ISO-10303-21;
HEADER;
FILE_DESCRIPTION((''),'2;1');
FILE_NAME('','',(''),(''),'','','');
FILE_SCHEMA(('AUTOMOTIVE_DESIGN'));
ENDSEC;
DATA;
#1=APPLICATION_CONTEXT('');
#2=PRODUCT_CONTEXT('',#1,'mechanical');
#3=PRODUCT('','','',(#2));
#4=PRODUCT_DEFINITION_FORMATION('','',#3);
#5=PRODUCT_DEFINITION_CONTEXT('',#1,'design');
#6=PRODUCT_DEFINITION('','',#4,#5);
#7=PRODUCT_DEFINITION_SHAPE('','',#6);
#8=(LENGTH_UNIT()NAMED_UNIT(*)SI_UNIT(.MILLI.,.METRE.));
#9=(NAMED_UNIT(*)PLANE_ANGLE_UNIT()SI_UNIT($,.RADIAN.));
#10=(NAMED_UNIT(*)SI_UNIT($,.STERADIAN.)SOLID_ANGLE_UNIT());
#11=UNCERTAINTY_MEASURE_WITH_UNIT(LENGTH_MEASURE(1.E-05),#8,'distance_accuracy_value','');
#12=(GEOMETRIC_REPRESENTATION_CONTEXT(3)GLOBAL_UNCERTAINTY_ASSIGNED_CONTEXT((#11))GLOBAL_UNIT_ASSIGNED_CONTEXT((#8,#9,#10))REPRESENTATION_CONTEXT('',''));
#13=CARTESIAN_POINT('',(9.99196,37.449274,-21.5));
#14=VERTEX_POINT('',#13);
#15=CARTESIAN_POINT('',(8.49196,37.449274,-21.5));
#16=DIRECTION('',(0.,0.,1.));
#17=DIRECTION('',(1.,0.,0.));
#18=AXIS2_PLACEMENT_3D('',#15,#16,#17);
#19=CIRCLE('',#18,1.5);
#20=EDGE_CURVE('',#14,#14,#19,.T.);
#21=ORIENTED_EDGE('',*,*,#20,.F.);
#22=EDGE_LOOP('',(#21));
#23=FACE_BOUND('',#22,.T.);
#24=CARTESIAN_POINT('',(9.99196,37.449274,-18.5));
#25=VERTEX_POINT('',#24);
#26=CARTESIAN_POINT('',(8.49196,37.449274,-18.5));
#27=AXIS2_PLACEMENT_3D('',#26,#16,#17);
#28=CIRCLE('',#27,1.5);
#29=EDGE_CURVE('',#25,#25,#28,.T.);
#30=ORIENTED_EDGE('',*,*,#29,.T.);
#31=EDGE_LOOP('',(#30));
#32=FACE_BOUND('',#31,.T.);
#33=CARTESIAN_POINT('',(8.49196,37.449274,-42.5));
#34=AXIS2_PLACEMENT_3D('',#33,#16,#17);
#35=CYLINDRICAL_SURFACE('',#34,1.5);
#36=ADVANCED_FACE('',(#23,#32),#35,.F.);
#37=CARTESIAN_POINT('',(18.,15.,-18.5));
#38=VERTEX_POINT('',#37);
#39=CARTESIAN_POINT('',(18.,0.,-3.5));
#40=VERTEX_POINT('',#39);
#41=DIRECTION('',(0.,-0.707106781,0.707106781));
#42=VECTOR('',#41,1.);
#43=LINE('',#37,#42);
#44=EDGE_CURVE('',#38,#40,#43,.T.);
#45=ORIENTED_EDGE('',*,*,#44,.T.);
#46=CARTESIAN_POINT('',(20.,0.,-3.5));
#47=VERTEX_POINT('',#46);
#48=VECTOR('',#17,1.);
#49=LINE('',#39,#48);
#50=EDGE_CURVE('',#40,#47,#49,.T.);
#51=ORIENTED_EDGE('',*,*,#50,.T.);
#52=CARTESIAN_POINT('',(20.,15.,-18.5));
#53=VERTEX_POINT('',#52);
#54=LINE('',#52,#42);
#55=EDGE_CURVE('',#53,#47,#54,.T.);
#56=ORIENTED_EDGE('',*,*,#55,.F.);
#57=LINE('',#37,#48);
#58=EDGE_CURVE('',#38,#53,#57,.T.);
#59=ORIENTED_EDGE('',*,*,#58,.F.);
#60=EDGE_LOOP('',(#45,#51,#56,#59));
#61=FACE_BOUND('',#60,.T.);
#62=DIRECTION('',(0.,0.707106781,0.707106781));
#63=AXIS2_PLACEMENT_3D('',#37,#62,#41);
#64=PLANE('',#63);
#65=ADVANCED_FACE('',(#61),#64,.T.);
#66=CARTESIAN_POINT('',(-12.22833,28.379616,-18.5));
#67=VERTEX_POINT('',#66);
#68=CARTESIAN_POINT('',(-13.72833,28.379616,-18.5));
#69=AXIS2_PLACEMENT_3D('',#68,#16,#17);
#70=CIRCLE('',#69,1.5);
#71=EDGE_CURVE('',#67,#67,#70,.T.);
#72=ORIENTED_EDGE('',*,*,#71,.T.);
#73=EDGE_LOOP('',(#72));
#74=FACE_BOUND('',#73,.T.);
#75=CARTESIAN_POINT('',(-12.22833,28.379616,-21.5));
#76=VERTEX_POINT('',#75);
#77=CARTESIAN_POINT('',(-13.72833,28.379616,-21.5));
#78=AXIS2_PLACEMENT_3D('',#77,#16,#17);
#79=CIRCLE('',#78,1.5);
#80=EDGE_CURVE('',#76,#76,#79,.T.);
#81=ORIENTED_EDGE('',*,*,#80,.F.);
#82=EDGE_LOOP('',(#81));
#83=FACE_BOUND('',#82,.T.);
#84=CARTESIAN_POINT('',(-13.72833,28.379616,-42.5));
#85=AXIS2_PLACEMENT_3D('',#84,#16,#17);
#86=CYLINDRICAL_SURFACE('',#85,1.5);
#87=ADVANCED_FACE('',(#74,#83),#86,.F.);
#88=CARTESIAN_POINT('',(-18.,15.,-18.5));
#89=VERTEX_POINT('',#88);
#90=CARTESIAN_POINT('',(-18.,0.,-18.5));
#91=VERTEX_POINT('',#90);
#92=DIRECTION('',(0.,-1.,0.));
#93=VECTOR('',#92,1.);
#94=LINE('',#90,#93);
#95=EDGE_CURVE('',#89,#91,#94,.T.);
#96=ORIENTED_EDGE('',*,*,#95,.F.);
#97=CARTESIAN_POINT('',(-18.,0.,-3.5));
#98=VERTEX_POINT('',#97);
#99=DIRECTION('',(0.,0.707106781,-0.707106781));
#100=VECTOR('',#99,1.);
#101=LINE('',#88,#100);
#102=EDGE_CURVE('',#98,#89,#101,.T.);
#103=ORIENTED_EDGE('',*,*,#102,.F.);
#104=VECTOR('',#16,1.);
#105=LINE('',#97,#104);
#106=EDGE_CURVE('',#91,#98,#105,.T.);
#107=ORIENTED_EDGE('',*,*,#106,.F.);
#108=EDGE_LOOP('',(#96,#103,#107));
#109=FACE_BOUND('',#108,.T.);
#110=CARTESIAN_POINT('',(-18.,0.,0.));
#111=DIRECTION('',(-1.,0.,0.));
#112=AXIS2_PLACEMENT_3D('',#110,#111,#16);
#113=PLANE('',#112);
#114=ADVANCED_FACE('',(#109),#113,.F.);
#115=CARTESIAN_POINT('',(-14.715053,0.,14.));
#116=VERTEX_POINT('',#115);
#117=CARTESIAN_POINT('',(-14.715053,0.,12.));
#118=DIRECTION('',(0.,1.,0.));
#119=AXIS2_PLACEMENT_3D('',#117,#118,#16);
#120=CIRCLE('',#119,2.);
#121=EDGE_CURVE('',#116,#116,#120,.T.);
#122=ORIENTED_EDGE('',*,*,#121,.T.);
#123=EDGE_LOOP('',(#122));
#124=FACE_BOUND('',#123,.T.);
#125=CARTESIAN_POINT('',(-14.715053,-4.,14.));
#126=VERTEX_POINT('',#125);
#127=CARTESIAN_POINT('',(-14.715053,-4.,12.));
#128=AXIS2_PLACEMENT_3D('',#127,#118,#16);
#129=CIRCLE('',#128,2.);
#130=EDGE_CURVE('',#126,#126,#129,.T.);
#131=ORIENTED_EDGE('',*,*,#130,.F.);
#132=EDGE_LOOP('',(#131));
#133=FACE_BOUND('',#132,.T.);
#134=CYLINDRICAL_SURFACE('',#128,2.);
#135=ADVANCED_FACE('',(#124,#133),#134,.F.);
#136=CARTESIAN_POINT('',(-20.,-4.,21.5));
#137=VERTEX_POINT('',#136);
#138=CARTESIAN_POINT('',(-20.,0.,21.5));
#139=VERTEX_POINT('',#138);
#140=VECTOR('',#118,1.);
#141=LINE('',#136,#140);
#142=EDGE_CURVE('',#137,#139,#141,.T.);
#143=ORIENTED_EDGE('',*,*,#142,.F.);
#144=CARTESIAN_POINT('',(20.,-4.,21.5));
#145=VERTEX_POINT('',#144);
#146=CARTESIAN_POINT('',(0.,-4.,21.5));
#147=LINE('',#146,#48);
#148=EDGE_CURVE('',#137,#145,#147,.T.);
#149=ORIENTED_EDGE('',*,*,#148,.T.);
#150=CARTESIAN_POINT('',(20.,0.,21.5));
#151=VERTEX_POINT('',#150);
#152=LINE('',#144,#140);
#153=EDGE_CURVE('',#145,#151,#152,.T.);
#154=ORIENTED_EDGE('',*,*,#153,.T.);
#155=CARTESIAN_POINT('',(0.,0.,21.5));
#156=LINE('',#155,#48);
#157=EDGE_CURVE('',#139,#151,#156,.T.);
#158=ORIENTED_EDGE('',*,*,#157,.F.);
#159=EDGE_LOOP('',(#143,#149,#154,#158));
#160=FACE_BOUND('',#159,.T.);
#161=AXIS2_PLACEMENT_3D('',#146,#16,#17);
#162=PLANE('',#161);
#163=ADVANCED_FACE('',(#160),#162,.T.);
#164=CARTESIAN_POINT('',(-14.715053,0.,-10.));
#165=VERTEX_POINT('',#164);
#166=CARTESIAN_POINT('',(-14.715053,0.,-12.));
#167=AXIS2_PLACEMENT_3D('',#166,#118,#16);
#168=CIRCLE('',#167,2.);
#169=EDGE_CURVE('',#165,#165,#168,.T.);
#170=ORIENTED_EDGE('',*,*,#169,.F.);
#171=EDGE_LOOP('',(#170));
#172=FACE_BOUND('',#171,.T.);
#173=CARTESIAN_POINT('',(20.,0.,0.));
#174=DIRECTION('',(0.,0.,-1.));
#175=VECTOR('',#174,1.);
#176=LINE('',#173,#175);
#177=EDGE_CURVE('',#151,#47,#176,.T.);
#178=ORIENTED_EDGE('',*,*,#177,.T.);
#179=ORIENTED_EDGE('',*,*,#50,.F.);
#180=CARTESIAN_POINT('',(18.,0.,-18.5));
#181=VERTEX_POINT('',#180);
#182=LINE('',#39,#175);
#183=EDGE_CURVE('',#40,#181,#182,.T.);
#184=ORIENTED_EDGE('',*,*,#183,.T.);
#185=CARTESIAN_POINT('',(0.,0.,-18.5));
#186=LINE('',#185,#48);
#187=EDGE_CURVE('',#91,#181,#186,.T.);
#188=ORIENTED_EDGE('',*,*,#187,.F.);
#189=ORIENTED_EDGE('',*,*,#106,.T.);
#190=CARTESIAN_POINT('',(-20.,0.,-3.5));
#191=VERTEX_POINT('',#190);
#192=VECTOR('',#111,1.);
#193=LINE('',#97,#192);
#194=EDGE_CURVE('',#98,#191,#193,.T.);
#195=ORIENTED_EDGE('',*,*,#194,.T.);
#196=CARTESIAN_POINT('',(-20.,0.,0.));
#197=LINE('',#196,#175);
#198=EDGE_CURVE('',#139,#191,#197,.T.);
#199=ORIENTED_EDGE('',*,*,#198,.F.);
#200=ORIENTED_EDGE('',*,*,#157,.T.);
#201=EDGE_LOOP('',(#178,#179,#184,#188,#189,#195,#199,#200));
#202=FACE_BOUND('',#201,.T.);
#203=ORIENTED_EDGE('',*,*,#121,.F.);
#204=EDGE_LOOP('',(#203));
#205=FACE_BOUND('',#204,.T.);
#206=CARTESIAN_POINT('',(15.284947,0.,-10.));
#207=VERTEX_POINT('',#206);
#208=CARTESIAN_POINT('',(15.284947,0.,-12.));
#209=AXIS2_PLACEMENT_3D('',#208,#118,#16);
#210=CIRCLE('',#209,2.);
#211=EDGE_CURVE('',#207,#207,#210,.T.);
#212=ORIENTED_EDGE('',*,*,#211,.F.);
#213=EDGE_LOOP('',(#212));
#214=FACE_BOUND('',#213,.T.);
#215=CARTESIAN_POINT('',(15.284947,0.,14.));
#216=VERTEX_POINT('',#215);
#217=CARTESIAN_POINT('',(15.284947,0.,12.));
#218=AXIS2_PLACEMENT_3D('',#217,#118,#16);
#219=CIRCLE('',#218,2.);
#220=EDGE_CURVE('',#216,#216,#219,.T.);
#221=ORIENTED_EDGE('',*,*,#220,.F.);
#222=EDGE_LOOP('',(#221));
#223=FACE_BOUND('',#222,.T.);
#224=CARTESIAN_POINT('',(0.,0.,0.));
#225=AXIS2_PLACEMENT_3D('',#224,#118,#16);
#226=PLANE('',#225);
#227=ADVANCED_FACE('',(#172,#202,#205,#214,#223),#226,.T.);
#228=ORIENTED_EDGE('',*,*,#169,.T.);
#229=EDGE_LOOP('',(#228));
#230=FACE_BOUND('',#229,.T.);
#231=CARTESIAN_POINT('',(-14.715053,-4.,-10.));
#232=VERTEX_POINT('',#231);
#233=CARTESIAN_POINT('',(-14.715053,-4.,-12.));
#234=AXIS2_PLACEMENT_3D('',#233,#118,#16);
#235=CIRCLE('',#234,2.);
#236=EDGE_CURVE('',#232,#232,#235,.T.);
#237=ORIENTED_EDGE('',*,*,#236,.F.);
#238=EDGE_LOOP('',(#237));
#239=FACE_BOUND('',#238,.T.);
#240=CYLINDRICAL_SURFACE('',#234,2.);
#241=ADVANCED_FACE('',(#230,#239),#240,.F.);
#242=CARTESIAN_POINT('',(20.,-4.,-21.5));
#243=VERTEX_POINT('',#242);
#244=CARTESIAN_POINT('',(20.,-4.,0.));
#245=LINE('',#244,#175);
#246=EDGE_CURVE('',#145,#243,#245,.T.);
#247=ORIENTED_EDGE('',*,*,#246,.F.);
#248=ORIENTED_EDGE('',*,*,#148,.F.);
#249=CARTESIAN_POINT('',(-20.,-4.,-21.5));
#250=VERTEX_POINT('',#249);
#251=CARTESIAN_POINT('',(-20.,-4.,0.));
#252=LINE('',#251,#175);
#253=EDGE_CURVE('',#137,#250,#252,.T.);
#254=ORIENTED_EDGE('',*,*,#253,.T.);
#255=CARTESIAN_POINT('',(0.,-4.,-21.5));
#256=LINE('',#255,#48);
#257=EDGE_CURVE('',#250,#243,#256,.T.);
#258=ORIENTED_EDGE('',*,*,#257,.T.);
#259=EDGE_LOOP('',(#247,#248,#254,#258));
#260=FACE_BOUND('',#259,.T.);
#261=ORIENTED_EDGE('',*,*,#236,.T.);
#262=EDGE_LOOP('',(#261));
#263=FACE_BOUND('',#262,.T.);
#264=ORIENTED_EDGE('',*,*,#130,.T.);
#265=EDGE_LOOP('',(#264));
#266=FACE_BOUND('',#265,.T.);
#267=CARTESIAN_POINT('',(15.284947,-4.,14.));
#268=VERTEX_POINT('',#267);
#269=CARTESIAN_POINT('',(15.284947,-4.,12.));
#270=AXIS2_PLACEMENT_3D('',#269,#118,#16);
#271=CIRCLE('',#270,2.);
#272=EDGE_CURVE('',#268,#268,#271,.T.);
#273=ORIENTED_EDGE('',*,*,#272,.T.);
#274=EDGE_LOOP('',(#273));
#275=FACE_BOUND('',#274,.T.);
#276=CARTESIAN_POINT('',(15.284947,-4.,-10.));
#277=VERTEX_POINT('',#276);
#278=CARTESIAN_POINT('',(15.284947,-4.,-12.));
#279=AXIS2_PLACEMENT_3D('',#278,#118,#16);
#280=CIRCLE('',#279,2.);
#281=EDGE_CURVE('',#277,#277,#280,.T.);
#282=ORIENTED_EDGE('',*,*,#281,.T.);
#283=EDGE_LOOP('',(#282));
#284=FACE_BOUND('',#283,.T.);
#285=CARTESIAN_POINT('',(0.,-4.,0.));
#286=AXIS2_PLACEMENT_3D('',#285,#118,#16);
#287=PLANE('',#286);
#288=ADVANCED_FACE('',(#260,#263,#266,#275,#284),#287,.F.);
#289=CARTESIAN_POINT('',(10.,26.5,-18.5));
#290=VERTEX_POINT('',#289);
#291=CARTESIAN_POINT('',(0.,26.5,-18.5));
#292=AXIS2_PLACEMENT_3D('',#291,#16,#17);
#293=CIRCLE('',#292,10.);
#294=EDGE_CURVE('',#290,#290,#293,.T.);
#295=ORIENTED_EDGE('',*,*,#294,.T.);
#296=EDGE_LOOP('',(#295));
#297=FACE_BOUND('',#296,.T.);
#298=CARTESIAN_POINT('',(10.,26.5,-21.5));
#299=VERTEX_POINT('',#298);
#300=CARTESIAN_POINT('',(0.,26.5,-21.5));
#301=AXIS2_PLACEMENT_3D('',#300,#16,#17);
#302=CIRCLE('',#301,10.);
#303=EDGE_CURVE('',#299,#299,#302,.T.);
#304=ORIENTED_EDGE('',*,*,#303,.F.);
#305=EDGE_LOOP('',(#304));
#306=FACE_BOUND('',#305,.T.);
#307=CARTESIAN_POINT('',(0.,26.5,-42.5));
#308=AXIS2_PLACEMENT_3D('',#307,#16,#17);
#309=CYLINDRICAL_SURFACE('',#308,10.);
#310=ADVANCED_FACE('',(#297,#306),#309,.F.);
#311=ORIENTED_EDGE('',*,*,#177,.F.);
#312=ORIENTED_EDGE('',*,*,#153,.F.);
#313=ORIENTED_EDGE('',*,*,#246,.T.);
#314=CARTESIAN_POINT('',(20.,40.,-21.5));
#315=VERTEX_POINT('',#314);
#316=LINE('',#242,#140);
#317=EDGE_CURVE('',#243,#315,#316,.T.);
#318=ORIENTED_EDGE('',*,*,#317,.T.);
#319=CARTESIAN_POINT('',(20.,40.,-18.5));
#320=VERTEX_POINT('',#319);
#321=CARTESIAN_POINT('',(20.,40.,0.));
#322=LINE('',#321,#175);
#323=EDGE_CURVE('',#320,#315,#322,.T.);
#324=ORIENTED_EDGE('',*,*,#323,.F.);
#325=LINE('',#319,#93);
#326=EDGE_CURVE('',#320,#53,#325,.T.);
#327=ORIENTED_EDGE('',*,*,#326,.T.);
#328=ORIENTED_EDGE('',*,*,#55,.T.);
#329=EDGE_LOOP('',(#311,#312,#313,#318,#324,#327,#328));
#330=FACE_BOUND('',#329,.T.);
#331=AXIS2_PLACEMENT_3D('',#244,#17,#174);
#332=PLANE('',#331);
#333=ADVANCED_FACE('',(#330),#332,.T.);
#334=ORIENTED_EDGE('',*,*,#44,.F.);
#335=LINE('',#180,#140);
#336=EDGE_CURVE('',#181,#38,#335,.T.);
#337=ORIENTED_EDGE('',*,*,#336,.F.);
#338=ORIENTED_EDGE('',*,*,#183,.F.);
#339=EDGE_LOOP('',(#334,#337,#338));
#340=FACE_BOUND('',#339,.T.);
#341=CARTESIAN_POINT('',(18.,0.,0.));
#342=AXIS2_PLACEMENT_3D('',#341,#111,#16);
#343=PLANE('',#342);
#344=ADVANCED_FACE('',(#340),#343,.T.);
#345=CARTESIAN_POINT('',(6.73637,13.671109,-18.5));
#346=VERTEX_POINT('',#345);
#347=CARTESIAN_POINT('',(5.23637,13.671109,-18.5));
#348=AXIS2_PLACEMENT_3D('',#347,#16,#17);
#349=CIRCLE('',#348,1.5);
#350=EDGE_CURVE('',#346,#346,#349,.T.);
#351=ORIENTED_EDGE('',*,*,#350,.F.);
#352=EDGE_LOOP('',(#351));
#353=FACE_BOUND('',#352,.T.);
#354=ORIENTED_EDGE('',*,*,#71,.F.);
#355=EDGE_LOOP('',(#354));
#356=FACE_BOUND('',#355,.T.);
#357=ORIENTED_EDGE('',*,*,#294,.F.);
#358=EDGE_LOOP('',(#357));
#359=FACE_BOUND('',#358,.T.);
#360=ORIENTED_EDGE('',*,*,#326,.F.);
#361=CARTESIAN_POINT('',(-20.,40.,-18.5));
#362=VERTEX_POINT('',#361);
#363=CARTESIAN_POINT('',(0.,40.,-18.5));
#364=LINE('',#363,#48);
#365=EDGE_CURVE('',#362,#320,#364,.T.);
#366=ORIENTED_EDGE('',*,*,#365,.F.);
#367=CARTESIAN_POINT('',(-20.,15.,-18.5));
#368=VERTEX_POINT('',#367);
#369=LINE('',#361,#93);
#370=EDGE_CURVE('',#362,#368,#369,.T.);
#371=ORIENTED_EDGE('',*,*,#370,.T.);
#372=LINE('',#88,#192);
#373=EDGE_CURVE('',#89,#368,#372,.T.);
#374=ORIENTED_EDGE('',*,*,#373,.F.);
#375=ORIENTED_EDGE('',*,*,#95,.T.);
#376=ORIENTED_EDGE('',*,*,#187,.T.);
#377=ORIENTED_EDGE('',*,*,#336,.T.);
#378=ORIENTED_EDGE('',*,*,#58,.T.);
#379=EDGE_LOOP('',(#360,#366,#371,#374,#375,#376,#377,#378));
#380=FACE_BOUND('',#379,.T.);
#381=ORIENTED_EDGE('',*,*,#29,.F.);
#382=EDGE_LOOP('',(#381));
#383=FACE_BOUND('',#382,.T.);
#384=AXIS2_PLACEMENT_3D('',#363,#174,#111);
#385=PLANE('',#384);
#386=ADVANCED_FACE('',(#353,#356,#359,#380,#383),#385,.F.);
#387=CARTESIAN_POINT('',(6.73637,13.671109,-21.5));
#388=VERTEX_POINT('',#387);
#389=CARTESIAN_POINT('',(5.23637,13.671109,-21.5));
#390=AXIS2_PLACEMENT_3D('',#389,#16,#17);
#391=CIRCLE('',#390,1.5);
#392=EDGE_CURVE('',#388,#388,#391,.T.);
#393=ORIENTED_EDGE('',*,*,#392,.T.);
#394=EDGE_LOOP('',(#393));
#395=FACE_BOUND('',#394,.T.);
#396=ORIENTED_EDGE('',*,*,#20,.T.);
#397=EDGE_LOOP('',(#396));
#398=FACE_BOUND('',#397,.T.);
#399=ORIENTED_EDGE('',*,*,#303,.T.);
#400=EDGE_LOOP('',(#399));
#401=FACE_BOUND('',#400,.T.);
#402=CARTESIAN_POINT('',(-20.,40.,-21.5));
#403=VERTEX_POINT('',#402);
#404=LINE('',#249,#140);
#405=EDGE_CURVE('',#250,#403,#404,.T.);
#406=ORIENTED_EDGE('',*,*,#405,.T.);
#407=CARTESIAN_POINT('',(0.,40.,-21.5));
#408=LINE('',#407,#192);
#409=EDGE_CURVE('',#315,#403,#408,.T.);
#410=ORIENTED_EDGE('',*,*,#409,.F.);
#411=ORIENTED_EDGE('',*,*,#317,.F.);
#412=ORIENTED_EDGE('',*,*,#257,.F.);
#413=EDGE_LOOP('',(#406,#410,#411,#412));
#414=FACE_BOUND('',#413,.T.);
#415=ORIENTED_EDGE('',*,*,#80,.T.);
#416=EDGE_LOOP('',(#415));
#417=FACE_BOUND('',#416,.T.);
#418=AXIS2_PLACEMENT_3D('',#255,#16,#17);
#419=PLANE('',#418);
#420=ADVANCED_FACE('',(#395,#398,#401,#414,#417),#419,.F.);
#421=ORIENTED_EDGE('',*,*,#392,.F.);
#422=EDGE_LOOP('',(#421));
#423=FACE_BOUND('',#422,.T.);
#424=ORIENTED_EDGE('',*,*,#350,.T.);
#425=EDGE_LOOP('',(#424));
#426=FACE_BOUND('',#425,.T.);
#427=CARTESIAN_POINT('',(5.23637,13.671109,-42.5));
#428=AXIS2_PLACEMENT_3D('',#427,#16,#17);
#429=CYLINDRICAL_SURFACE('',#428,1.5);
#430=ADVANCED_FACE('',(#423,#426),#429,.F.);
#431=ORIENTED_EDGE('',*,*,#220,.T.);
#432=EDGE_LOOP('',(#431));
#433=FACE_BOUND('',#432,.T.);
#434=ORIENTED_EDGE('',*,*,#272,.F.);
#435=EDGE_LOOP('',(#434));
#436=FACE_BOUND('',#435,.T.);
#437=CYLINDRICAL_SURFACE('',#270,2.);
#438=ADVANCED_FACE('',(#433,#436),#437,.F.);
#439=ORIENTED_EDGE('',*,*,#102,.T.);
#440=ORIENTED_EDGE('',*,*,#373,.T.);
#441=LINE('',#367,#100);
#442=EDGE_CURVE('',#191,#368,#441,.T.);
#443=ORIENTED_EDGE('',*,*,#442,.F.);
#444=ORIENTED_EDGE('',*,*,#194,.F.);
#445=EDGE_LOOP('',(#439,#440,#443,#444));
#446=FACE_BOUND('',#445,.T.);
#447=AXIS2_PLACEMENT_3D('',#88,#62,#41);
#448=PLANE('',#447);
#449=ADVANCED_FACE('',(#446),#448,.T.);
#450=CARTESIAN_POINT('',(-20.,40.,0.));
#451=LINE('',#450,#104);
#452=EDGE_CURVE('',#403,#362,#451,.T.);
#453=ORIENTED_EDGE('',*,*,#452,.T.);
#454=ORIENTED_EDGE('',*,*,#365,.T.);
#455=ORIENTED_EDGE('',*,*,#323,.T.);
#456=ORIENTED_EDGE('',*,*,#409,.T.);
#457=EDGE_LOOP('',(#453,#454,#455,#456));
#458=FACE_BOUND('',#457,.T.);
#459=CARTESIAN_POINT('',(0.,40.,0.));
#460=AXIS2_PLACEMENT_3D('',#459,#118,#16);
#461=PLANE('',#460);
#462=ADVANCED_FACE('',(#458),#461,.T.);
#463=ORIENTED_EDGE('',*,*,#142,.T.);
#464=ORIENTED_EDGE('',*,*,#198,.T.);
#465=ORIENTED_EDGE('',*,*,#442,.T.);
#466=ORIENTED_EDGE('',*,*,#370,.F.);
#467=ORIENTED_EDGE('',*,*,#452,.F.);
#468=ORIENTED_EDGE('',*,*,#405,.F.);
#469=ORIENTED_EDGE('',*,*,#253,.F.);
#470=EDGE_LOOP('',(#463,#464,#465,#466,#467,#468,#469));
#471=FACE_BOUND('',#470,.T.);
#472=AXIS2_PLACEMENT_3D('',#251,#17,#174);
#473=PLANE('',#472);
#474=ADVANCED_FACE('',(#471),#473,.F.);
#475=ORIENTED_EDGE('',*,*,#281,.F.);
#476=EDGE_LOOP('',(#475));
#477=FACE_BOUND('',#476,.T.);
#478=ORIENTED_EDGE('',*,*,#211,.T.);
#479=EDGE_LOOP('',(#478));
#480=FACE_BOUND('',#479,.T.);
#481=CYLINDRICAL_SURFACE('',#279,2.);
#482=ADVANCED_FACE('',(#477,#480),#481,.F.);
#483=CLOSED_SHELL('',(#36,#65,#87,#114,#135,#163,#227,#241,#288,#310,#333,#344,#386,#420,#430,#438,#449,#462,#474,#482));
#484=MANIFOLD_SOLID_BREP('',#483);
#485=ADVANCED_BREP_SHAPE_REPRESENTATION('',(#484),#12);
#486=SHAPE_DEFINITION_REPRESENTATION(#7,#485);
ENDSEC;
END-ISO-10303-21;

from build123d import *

# Parameters (mm, degrees)
SKETCH1_W           = 40
SKETCH1_H           = 43
SKETCH1_R           = 2
BOSS_EXTRUDE1_DEPTH = 4
SKETCH4_W           = 40
SKETCH4_H           = 3
BOSS_EXTRUDE2_DEPTH = 40
SKETCH5_R           = 1.5
SKETCH5_R_2         = 10
CUT_EXTRUDE1_DEPTH  = 24
BOSS_EXTRUDE3_DEPTH = 2
BOSS_EXTRUDE4_DEPTH = 2


with BuildPart() as part:
    # Sketch1 → Boss-Extrude1 (new body)
    with BuildSketch(Plane(origin=(0, 0, 0), x_dir=(1, 0, 0), z_dir=(0, 1, 0))):
        Rectangle(SKETCH1_W, SKETCH1_H)
        with Locations(Location((-14.715053003, 12, 0), (0, 0, 270))):
            Circle(SKETCH1_R, mode=Mode.SUBTRACT)
        with Locations(Location((15.284946997, 12, 0), (0, 0, 270))):
            Circle(SKETCH1_R, mode=Mode.SUBTRACT)
        with Locations(Location((-14.715053003, -12, 0), (0, 0, 270))):
            Circle(SKETCH1_R, mode=Mode.SUBTRACT)
        with Locations(Location((15.284946997, -12, 0), (0, 0, 270))):
            Circle(SKETCH1_R, mode=Mode.SUBTRACT)
    extrude(amount=-BOSS_EXTRUDE1_DEPTH)

    # Sketch4 → Boss-Extrude2 (add)
    with BuildSketch(Plane(origin=(0, 0, 0), x_dir=(1, 0, 0), z_dir=(0, 1, 0))):
        with Locations((0, 20)):
            Rectangle(SKETCH4_W, SKETCH4_H)
    extrude(amount=BOSS_EXTRUDE2_DEPTH)

    # Sketch5 → Cut-Extrude1 (cut)
    with BuildSketch(Plane.XY.offset(-18.5)):
        with Locations((8.491960292, 37.449274423)):
            Circle(SKETCH5_R)
        with Locations((-13.72832995, 28.379616129)):
            Circle(SKETCH5_R)
        with Locations((5.236369657, 13.671109447)):
            Circle(SKETCH5_R)
        with Locations((0, 26.5)):
            Circle(SKETCH5_R_2)
    extrude(amount=-CUT_EXTRUDE1_DEPTH, mode=Mode.SUBTRACT)

    # Sketch6 → Boss-Extrude3 (add)
    with BuildSketch(Plane(origin=(20, 0, 0), x_dir=(0, 0, -1), z_dir=(1, 0, 0))):
        Polygon((18.5, 15), (3.5, 0), (18.5, 0), align=None)
    extrude(amount=-BOSS_EXTRUDE3_DEPTH)

    # Sketch7 → Boss-Extrude4 (add)
    with BuildSketch(Plane.ZY.offset(20)):
        Polygon((-18.5, 15), (-3.5, 0), (-18.5, 0), align=None)
    extrude(amount=-BOSS_EXTRUDE4_DEPTH)


solid = part.part
